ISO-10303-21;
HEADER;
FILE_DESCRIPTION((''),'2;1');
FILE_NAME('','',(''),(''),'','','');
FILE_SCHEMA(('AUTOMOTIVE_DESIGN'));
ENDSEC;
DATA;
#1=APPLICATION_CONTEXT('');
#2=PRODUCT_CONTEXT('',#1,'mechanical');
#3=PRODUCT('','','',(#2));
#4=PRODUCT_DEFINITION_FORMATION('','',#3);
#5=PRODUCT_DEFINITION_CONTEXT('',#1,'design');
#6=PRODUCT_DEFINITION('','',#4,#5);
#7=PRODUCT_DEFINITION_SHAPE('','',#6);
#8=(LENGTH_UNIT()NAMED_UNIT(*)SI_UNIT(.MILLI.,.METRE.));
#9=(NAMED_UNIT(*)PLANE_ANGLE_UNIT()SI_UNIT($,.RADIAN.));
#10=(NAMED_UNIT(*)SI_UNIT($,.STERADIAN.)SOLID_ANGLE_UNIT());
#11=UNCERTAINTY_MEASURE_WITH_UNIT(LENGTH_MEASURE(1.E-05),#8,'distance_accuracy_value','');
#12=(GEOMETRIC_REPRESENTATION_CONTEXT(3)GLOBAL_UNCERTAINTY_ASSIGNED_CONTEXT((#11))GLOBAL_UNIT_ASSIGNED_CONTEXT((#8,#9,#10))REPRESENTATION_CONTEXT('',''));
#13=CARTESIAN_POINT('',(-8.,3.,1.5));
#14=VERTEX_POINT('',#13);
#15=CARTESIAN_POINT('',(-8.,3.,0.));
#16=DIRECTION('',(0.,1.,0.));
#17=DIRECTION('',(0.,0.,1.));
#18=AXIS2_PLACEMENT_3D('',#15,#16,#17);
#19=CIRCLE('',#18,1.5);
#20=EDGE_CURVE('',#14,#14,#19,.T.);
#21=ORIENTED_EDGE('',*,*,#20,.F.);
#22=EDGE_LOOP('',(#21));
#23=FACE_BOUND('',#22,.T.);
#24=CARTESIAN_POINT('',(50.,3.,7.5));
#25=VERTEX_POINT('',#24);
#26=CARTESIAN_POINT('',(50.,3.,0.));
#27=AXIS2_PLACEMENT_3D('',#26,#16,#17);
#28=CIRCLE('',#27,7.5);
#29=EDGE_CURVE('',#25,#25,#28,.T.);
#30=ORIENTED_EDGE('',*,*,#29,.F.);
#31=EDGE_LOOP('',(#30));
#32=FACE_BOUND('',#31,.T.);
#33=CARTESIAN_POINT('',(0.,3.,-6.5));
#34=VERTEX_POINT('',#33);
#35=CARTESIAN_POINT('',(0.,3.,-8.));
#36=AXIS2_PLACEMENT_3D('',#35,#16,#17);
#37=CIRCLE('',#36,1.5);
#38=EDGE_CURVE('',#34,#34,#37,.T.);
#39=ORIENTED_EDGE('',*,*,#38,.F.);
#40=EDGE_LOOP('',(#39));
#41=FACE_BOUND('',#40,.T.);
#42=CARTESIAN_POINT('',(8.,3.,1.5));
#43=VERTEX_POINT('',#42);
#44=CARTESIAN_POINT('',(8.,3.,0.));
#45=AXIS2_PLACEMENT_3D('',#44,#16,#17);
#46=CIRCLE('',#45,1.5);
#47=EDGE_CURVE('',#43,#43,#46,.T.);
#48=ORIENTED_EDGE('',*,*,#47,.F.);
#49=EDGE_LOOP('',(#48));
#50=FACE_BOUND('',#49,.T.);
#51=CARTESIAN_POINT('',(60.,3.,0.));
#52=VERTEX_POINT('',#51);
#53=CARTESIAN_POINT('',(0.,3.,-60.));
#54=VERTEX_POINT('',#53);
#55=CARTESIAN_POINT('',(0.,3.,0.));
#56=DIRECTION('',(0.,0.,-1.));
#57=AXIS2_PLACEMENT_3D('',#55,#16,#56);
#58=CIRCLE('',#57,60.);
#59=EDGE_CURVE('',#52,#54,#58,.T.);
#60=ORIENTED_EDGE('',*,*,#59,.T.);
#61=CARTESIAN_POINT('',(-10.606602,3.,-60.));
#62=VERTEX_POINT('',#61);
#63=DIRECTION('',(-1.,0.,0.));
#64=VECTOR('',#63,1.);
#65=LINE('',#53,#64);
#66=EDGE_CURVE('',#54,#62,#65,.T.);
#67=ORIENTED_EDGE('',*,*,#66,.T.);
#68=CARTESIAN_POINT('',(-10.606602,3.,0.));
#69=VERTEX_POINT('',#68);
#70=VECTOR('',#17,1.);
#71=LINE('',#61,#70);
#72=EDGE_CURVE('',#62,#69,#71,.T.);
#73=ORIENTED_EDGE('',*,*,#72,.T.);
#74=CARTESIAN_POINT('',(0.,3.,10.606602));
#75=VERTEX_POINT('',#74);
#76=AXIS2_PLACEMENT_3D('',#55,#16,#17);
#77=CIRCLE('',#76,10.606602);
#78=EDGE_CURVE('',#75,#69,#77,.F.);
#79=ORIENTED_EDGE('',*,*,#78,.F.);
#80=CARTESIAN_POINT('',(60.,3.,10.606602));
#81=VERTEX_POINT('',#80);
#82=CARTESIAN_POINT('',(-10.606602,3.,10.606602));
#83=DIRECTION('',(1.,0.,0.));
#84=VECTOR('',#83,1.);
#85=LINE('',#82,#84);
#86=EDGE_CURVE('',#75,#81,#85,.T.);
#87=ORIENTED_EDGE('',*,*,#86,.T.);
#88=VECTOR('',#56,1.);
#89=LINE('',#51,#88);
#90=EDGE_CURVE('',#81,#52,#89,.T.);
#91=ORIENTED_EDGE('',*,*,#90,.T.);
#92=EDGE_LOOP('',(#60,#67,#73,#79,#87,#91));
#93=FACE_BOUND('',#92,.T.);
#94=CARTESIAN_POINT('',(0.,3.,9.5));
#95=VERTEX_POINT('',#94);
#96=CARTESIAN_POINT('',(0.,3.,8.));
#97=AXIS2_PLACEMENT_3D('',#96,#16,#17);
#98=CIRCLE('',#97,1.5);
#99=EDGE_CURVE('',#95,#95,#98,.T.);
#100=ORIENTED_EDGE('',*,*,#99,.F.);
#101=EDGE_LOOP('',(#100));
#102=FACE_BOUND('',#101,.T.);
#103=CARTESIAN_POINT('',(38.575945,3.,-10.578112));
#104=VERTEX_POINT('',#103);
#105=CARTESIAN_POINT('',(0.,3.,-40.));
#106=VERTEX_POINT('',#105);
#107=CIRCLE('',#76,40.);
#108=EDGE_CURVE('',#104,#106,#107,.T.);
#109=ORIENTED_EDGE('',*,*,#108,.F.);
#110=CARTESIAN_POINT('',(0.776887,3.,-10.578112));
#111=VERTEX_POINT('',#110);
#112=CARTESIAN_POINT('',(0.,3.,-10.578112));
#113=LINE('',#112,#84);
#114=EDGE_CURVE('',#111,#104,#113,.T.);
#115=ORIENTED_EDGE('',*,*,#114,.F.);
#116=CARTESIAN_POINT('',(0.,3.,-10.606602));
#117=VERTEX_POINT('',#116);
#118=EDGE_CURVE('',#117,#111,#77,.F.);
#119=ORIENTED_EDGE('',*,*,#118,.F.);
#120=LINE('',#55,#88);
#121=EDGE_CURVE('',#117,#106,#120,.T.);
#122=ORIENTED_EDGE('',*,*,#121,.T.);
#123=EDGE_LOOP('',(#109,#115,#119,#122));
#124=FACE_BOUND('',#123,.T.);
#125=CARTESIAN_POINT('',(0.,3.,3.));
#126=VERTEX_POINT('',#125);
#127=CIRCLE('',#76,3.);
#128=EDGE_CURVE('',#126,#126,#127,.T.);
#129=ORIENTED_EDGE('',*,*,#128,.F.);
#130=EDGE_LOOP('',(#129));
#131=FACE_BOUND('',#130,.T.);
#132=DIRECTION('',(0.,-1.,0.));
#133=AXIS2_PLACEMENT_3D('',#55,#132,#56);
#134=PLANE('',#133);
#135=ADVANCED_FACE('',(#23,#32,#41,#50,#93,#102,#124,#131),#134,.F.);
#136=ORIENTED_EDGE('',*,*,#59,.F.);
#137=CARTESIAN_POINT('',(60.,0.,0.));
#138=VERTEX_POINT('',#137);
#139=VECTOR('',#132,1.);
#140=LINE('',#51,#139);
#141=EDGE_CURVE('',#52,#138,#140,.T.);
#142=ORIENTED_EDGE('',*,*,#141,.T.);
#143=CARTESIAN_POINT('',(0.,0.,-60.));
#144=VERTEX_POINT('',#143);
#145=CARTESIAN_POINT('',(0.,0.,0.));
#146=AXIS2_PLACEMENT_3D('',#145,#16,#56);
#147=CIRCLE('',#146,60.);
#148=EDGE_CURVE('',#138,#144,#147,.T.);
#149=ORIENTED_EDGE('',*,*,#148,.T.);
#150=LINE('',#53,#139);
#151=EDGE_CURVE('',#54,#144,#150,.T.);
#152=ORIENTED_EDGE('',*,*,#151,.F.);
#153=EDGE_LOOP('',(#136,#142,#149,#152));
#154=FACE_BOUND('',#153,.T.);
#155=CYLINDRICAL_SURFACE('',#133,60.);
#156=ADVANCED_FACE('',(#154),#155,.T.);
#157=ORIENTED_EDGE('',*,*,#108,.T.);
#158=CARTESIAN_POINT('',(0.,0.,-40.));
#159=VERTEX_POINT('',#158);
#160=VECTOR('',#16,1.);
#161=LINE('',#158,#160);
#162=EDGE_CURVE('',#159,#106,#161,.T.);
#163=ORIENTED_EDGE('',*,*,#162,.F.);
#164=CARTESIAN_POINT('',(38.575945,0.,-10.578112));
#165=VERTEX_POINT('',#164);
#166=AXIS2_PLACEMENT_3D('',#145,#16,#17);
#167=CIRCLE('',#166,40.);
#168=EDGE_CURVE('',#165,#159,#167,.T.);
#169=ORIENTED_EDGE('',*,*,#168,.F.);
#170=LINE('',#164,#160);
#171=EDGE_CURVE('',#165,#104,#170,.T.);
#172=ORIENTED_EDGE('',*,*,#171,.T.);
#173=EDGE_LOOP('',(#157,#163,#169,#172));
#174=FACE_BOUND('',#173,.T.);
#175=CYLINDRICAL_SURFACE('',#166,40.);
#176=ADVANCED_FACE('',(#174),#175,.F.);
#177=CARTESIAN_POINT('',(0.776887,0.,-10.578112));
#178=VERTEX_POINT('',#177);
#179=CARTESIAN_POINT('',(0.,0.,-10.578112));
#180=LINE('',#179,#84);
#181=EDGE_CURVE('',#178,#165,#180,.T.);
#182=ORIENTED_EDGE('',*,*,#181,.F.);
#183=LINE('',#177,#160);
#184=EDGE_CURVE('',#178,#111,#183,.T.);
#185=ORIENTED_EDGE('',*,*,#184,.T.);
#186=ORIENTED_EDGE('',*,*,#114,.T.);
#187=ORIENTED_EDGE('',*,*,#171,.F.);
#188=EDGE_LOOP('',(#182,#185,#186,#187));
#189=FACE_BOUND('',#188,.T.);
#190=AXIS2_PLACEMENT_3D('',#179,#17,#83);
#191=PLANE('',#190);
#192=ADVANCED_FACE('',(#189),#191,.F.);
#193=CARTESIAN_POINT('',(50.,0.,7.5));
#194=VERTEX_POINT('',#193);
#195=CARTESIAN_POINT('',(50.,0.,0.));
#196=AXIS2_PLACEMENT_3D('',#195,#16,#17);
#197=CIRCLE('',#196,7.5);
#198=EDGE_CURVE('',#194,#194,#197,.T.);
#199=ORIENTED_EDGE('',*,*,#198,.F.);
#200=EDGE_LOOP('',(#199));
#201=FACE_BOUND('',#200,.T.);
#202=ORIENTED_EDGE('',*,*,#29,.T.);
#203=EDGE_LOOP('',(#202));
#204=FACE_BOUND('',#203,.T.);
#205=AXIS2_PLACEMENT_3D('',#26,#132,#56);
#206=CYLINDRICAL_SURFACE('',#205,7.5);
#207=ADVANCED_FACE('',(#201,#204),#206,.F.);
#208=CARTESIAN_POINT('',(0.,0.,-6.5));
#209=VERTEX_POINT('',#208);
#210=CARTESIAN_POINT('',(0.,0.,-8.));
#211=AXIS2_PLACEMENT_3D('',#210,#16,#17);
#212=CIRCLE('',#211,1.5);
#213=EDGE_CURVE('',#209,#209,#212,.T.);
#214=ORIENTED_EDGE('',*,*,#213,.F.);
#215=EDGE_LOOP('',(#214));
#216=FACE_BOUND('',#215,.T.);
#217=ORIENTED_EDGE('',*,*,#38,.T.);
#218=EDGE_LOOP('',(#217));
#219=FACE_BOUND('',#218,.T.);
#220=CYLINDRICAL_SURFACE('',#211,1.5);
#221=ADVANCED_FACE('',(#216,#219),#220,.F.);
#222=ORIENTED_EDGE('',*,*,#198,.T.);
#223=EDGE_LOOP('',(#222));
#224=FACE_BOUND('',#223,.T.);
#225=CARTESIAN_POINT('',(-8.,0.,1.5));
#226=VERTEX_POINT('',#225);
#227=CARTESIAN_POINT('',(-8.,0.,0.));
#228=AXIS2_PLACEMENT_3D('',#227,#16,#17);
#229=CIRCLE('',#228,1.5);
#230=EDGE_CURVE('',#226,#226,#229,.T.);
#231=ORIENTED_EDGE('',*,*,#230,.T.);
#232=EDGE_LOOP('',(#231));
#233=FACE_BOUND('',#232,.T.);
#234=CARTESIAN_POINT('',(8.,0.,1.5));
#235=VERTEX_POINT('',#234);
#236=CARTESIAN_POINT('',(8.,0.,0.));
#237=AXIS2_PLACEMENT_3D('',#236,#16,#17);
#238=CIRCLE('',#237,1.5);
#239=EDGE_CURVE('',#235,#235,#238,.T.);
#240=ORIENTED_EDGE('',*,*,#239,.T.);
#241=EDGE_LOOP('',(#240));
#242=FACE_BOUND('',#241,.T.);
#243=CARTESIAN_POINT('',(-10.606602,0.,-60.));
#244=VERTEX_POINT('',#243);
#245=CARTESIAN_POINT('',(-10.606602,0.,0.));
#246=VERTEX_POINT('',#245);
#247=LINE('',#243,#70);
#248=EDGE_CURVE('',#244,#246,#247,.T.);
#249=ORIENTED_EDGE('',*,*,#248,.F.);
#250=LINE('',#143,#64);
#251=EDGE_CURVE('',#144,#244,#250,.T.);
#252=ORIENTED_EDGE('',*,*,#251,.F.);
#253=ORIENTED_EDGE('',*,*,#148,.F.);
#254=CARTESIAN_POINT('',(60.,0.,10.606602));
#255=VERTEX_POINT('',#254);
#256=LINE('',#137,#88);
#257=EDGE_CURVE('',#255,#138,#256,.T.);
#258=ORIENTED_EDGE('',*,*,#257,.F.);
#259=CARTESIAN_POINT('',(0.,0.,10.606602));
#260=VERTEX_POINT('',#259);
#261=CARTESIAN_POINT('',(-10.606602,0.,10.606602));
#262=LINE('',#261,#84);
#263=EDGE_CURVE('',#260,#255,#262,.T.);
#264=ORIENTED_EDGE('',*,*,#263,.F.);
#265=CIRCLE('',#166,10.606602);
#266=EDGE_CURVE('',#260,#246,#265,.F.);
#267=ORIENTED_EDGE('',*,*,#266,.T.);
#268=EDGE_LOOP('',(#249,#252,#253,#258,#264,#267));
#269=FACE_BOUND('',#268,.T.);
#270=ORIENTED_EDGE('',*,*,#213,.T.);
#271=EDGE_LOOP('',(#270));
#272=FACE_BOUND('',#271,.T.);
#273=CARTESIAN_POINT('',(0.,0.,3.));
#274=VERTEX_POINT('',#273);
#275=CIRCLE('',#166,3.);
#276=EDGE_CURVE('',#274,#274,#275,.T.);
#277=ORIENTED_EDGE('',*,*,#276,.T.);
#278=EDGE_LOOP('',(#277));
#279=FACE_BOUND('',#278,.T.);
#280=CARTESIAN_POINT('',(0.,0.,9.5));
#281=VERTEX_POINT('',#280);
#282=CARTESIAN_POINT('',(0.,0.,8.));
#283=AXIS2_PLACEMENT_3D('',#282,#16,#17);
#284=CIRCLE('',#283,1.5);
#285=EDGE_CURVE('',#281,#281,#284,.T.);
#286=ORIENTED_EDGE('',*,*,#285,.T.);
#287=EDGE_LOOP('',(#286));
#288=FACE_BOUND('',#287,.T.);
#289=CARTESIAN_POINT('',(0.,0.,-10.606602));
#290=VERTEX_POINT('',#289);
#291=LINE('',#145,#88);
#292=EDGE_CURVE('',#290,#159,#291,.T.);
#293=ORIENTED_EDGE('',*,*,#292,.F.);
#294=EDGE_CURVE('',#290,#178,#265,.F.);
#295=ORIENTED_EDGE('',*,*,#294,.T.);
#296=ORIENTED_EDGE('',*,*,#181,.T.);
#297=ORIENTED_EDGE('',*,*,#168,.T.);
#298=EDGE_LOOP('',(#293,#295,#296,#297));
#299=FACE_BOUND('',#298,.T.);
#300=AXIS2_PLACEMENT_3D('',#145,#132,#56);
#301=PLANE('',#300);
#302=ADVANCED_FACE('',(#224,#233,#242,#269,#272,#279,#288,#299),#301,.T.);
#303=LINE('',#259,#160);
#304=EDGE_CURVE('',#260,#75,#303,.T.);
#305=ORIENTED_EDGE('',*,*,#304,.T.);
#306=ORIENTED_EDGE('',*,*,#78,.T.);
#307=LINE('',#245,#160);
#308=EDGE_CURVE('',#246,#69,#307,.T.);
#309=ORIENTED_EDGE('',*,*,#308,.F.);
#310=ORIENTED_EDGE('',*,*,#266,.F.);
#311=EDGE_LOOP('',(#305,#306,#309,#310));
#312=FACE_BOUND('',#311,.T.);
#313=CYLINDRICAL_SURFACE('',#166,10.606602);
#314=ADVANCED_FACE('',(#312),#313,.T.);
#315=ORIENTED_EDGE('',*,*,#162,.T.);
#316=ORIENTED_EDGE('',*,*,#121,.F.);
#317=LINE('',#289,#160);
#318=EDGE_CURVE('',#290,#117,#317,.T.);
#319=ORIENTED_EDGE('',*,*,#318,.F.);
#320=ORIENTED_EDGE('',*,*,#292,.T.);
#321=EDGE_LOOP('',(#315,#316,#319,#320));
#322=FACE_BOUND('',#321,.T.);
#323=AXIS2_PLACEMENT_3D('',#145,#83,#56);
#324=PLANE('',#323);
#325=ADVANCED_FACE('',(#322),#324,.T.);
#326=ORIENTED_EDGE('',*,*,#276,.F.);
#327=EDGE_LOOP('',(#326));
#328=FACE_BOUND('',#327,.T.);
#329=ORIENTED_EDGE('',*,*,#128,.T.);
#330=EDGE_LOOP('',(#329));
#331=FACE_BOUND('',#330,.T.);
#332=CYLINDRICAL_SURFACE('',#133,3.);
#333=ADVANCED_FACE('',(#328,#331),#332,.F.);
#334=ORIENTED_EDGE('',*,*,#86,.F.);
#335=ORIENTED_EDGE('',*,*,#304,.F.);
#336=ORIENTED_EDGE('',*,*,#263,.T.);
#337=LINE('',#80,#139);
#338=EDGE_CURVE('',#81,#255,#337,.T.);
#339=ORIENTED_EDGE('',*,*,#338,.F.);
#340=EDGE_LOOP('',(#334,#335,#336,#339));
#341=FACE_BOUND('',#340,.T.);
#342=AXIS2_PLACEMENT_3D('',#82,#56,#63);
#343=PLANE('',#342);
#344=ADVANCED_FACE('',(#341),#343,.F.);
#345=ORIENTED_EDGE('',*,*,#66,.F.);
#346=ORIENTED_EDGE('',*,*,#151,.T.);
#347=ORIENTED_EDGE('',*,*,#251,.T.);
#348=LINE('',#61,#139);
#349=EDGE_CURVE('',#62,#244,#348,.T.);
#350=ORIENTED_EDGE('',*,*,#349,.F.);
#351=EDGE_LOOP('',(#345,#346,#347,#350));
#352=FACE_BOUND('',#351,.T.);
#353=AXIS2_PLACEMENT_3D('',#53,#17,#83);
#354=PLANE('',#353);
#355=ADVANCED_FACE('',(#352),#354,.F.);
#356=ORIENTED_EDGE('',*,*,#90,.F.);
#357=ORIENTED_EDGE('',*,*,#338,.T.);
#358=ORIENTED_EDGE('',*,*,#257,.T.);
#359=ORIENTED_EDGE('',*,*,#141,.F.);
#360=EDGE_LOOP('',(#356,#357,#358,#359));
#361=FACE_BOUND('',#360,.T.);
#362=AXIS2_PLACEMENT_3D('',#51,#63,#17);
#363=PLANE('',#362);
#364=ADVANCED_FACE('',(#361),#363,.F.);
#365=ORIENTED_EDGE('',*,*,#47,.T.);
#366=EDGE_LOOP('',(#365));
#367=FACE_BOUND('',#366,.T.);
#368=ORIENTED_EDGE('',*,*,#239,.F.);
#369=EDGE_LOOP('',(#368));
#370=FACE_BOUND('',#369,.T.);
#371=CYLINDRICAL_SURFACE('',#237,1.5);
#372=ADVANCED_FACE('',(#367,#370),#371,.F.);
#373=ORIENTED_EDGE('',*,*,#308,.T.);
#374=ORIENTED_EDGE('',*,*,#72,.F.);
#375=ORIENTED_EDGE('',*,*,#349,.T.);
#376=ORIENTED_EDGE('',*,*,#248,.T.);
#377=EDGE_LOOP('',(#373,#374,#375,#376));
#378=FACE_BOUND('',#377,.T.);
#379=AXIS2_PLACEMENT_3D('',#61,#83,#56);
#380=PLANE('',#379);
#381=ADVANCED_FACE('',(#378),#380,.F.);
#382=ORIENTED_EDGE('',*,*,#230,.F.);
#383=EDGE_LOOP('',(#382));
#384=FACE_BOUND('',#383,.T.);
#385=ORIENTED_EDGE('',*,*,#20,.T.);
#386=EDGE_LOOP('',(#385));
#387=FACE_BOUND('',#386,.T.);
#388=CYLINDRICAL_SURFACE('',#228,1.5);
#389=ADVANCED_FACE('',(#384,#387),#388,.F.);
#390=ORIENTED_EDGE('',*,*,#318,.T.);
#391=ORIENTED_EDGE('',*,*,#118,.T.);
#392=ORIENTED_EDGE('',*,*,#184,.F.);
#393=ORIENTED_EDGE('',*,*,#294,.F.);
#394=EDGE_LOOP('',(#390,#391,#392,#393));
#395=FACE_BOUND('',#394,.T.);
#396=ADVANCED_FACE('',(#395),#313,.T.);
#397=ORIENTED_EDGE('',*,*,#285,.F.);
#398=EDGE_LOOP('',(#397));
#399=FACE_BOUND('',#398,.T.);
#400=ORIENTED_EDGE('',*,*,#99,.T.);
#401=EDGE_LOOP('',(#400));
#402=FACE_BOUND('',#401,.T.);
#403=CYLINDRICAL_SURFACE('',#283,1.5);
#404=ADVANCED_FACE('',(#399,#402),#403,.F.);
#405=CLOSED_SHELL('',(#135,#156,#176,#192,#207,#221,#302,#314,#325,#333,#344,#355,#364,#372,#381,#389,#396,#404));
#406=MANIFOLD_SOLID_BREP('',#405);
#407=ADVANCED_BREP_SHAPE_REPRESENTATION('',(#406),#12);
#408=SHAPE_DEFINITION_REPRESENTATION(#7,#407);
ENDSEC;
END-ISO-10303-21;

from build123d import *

# Parameters (mm, degrees)
SKETCH1_R             = 3
SKETCH1_R_2           = 7.5
BOSS_EXTRUDE1_DEPTH   = 3
CORTAR_EXTRUIR1_DEPTH = 85.905830189
CROQUIS2_R            = 1.5
CORTAR_EXTRUIR2_DEPTH = 85.905830189


with BuildPart() as part:
    # Sketch1 → Boss-Extrude1 (new body)
    with BuildSketch(Plane(origin=(0, 0, 0), x_dir=(1, 0, 0), z_dir=(0, 1, 0))):
        with BuildLine():
            Line((-10.606601718, 60), (-10.606601718, -10.606601718))
            Line((-10.606601718, -10.606601718), (60, -10.606601718))
            Line((60, -10.606601718), (60, 0))
            ThreePointArc((60, 0), (42.426406871, 42.426406871), (0, 60))
            Line((0, 60), (-10.606601718, 60))
        make_face()
        with Locations(Location((0, 0, 0), (0, 0, 270))):
            Circle(SKETCH1_R, mode=Mode.SUBTRACT)
        with Locations(Location((50, 0, 0), (0, 0, 270))):
            Circle(SKETCH1_R_2, mode=Mode.SUBTRACT)
    extrude(amount=BOSS_EXTRUDE1_DEPTH)

    # Croquis1 → Cortar-Extruir1 (cut, through all)
    with BuildSketch(Plane(origin=(0, 3, 0), x_dir=(1, 0, 0), z_dir=(0, 1, 0))):
        with BuildLine():
            ThreePointArc((0, 10.606601718), (0.38870443, 10.59947682), (0.776886642, 10.5781117))
            Line((0.776886642, 10.5781117), (38.575945262, 10.5781117))
            ThreePointArc((38.575945262, 10.5781117), (24.257736209, 31.805066169), (0, 40))
            Line((0, 40), (0, 10.606601718))
        make_face()
        with BuildLine():
            ThreePointArc((0, -10.606601718), (-7.5, -7.5), (-10.606601718, 0))
            Line((-10.606601718, 0), (-10.606601718, -10.606601718))
            Line((-10.606601718, -10.606601718), (0, -10.606601718))
        make_face()
    extrude(amount=-CORTAR_EXTRUIR1_DEPTH, mode=Mode.SUBTRACT)

    # Croquis2 → Cortar-Extruir2 (cut, through all)
    with BuildSketch(Plane(origin=(0, 3, 0), x_dir=(1, 0, 0), z_dir=(0, 1, 0))):
        with Locations(Location((8, 0, 0), (0, 0, 270))):
            Circle(CROQUIS2_R)
        with Locations(Location((0, -8, 0), (0, 0, 270))):
            Circle(CROQUIS2_R)
        with Locations(Location((-8, 0, 0), (0, 0, 270))):
            Circle(CROQUIS2_R)
        with Locations(Location((0, 8, 0), (0, 0, 270))):
            Circle(CROQUIS2_R)
    extrude(amount=-CORTAR_EXTRUIR2_DEPTH, mode=Mode.SUBTRACT)


solid = part.part
